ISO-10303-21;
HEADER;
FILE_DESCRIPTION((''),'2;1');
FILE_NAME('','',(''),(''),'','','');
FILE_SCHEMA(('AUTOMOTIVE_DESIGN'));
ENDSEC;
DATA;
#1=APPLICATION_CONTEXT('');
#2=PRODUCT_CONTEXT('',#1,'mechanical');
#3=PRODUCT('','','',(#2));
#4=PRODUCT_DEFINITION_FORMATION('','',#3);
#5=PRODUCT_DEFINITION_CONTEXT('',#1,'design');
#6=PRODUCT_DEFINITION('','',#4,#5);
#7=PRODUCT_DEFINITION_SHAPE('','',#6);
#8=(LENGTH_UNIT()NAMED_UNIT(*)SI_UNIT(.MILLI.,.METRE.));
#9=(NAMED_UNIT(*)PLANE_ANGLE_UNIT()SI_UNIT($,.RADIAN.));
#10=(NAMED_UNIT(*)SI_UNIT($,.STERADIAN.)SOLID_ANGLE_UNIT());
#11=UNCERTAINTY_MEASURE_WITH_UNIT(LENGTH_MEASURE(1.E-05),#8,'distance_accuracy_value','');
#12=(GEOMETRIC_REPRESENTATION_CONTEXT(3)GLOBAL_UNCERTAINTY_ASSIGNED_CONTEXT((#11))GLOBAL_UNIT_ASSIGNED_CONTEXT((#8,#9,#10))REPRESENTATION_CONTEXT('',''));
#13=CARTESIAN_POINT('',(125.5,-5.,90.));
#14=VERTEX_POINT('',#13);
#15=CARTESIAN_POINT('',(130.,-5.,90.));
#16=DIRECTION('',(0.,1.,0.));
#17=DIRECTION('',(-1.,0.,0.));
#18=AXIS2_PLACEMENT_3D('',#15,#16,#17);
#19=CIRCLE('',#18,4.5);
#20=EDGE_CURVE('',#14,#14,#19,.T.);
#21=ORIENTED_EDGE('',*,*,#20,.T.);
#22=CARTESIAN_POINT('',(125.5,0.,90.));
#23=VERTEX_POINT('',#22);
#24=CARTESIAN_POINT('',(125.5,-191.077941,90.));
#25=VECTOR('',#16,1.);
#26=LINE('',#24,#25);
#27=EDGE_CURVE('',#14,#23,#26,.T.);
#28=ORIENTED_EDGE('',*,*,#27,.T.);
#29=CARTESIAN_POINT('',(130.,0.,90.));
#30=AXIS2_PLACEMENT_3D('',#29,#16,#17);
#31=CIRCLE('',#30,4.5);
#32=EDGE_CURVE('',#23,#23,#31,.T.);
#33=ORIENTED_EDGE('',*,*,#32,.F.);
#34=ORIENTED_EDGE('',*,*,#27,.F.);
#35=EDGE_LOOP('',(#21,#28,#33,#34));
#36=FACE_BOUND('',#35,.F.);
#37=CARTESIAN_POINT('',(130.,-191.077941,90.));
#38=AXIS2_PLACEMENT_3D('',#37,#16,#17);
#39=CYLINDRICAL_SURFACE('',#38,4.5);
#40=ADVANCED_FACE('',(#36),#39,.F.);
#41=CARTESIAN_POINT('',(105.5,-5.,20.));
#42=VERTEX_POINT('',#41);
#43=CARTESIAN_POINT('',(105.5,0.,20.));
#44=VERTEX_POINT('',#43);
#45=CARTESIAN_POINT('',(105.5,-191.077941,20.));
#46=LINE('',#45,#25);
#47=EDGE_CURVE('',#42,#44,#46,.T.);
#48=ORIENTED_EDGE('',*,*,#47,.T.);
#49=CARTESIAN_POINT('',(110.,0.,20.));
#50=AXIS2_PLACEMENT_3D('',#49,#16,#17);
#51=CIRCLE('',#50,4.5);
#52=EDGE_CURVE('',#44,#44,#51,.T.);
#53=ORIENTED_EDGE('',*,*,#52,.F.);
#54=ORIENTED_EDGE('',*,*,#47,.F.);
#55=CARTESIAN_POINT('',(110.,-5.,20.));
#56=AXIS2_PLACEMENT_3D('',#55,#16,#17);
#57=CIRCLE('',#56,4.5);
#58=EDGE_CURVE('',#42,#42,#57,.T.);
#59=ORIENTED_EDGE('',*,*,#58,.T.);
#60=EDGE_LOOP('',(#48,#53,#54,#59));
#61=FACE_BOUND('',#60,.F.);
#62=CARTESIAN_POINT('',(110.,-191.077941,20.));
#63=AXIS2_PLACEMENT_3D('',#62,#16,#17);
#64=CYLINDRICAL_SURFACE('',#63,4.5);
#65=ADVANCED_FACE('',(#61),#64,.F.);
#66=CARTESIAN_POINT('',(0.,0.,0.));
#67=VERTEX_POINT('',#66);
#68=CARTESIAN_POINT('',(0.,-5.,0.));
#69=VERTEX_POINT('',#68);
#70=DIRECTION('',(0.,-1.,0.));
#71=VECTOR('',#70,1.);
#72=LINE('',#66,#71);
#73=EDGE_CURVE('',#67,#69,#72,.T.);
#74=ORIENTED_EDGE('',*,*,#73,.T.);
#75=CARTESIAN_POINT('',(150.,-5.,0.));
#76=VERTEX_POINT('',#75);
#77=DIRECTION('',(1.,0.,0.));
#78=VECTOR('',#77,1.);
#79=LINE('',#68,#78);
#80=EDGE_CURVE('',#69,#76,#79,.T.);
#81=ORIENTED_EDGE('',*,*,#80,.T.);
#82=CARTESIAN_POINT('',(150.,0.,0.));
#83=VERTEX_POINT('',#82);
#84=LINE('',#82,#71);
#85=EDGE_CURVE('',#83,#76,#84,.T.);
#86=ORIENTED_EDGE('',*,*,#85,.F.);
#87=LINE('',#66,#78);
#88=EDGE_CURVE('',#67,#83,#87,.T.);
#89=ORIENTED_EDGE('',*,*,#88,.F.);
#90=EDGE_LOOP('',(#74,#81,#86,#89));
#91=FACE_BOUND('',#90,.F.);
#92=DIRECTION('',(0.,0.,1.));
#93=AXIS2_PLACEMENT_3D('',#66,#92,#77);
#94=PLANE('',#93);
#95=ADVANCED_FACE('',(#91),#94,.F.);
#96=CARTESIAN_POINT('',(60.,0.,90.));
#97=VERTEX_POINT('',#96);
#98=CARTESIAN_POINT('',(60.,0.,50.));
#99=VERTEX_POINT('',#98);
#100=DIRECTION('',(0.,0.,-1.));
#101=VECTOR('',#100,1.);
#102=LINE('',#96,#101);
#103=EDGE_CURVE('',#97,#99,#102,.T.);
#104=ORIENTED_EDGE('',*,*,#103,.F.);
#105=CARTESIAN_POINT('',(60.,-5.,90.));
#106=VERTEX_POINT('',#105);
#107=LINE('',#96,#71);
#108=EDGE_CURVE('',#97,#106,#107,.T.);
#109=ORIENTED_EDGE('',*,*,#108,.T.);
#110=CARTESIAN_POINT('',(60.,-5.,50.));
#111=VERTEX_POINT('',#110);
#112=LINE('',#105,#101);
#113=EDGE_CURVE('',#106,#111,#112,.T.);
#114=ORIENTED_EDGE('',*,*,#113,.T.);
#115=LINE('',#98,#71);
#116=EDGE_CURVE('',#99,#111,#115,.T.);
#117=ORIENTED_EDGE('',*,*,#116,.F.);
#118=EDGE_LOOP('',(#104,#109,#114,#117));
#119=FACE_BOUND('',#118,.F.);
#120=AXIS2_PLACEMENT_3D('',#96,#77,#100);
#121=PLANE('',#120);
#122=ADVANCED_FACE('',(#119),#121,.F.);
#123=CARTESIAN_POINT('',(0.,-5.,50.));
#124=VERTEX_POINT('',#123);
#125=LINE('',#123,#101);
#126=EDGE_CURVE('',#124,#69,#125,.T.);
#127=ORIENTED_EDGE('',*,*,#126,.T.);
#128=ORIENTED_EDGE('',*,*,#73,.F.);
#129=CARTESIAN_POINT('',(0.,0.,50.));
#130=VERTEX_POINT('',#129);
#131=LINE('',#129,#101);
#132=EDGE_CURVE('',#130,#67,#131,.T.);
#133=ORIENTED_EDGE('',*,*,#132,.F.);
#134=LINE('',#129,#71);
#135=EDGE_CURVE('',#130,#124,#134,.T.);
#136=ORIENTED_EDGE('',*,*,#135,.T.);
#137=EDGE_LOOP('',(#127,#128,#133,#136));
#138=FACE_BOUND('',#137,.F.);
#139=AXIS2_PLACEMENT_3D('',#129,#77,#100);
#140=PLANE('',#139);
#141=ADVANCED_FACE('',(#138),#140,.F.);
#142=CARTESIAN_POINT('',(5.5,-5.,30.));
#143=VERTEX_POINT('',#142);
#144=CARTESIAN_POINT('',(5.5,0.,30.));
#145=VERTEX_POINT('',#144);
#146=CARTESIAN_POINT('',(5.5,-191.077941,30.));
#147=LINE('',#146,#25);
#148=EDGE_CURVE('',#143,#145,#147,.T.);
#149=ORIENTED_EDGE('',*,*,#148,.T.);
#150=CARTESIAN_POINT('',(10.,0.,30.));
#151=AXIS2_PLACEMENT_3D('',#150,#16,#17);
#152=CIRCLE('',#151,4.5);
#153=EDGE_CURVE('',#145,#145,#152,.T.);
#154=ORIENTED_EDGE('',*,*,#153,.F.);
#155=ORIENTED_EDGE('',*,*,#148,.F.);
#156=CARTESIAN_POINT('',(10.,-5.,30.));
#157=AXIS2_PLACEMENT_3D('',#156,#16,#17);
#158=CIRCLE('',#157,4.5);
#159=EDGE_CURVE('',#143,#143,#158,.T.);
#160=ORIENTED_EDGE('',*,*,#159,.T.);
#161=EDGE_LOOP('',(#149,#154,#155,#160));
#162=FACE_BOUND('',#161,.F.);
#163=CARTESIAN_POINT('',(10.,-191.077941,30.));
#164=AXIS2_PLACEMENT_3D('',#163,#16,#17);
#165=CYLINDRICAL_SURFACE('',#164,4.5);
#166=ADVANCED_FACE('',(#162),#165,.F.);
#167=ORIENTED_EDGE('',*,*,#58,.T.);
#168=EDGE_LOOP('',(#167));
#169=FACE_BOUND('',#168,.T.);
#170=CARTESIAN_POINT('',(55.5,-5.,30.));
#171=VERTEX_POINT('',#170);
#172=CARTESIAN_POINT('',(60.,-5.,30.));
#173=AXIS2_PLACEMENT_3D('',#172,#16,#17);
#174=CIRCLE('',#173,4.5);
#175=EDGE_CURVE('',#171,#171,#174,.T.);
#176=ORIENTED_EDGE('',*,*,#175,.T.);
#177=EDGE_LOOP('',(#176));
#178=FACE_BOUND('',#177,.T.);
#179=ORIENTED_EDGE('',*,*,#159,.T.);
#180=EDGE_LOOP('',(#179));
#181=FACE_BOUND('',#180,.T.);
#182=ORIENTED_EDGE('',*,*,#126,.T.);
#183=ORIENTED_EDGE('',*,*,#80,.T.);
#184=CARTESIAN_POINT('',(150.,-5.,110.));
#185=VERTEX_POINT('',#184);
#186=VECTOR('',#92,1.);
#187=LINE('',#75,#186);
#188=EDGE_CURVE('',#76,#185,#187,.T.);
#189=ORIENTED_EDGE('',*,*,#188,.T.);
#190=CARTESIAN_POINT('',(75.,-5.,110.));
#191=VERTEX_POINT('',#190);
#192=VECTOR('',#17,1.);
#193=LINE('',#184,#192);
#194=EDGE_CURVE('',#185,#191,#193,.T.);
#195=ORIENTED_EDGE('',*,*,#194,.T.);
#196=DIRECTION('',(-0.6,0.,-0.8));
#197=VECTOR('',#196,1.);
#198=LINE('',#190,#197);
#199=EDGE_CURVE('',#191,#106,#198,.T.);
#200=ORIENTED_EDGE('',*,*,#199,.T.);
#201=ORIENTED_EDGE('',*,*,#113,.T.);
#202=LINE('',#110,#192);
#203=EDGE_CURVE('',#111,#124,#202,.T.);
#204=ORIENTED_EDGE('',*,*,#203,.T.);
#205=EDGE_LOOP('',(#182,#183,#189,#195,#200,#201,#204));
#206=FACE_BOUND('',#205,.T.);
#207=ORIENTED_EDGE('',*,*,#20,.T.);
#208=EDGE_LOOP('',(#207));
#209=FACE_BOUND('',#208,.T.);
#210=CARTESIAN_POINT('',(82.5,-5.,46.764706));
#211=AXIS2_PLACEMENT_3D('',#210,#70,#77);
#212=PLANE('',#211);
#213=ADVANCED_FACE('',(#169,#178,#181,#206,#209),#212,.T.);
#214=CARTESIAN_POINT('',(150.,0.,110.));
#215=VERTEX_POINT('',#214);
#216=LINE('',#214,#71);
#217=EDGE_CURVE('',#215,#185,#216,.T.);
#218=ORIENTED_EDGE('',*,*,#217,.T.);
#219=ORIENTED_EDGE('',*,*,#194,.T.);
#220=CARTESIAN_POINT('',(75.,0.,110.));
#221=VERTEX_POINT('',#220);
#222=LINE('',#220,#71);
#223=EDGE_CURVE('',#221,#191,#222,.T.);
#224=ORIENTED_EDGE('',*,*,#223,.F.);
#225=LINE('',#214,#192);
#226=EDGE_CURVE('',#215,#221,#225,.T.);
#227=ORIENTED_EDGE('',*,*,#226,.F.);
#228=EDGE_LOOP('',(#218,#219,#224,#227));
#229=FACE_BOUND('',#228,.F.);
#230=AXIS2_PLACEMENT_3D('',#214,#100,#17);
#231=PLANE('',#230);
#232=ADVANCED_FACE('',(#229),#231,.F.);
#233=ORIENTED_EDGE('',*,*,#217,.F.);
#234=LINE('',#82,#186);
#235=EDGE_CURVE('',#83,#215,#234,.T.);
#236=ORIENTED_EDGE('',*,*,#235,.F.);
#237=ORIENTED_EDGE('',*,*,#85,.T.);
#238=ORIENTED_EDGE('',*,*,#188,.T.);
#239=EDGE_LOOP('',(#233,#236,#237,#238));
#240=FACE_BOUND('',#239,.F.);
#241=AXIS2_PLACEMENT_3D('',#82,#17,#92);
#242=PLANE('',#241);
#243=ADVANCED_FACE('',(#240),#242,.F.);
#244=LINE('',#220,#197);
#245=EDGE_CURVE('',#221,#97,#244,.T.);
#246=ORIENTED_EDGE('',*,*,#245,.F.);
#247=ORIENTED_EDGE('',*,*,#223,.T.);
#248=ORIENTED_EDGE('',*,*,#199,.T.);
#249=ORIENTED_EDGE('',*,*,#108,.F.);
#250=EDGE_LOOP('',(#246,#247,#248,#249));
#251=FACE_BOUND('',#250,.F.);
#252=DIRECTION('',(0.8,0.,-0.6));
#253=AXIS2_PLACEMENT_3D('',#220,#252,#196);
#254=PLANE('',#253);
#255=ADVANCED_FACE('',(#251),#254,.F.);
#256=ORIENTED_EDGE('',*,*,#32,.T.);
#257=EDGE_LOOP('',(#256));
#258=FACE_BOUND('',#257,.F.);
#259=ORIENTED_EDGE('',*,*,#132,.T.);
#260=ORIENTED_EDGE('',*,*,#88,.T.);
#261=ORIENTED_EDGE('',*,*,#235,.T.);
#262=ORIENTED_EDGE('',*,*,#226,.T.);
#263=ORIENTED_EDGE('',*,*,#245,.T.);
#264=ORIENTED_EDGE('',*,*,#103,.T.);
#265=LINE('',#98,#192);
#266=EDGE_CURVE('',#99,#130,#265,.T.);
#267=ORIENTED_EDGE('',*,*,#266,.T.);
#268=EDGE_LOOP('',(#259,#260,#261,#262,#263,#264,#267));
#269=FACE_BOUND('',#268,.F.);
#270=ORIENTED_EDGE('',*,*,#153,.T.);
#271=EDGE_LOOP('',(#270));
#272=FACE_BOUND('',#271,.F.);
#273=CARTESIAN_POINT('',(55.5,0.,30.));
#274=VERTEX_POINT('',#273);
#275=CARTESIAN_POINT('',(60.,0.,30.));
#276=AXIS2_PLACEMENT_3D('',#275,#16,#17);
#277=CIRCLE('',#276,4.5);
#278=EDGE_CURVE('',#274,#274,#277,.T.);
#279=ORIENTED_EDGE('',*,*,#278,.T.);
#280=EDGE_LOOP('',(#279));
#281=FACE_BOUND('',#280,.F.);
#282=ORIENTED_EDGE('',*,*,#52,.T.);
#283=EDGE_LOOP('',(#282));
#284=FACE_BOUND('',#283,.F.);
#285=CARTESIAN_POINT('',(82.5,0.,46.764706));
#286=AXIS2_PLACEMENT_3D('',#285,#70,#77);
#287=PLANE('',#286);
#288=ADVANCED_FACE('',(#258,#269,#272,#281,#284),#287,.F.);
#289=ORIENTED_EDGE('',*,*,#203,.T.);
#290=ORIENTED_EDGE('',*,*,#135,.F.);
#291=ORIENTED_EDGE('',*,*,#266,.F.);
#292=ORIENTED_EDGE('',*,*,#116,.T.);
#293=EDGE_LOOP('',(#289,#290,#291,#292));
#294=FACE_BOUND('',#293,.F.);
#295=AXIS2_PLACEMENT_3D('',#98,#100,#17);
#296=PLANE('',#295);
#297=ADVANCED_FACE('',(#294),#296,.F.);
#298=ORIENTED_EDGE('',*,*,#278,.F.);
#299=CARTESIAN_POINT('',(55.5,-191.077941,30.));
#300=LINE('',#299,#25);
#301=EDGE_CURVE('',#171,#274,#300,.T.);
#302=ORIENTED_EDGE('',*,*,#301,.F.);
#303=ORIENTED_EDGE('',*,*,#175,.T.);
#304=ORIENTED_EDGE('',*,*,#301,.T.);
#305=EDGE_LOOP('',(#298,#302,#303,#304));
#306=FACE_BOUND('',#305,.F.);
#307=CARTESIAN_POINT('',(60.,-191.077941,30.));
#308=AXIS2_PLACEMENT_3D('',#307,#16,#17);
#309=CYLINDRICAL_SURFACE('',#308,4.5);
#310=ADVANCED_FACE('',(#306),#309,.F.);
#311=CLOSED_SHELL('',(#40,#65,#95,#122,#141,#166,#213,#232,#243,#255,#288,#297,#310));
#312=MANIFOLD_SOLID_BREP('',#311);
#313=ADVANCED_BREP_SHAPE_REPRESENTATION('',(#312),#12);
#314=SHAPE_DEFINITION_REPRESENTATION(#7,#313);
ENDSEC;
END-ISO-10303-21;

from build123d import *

# Parameters (mm, degrees)
F1_DEPTH = 5
F3_D     = 9
F5_D     = 9


with BuildPart() as f1:
    # F0 (on Front) → F1 (new body)
    with BuildSketch(Plane.XZ):
        Polygon((0, 50), (0, 0), (150, 0), (150, 110), (75, 110), (60, 90), (60, 50), align=None)
    extrude(amount=F1_DEPTH)

    # F3 (through all)
    with Locations(Plane.XZ.offset(5)):
        with Locations((10, 30), (60, 30)):
            Hole(F3_D / 2)

    # F5 (through all)
    with Locations(Plane.XZ.offset(5)):
        with Locations((110, 20), (130, 90)):
            Hole(F5_D / 2)


solid = f1.part
